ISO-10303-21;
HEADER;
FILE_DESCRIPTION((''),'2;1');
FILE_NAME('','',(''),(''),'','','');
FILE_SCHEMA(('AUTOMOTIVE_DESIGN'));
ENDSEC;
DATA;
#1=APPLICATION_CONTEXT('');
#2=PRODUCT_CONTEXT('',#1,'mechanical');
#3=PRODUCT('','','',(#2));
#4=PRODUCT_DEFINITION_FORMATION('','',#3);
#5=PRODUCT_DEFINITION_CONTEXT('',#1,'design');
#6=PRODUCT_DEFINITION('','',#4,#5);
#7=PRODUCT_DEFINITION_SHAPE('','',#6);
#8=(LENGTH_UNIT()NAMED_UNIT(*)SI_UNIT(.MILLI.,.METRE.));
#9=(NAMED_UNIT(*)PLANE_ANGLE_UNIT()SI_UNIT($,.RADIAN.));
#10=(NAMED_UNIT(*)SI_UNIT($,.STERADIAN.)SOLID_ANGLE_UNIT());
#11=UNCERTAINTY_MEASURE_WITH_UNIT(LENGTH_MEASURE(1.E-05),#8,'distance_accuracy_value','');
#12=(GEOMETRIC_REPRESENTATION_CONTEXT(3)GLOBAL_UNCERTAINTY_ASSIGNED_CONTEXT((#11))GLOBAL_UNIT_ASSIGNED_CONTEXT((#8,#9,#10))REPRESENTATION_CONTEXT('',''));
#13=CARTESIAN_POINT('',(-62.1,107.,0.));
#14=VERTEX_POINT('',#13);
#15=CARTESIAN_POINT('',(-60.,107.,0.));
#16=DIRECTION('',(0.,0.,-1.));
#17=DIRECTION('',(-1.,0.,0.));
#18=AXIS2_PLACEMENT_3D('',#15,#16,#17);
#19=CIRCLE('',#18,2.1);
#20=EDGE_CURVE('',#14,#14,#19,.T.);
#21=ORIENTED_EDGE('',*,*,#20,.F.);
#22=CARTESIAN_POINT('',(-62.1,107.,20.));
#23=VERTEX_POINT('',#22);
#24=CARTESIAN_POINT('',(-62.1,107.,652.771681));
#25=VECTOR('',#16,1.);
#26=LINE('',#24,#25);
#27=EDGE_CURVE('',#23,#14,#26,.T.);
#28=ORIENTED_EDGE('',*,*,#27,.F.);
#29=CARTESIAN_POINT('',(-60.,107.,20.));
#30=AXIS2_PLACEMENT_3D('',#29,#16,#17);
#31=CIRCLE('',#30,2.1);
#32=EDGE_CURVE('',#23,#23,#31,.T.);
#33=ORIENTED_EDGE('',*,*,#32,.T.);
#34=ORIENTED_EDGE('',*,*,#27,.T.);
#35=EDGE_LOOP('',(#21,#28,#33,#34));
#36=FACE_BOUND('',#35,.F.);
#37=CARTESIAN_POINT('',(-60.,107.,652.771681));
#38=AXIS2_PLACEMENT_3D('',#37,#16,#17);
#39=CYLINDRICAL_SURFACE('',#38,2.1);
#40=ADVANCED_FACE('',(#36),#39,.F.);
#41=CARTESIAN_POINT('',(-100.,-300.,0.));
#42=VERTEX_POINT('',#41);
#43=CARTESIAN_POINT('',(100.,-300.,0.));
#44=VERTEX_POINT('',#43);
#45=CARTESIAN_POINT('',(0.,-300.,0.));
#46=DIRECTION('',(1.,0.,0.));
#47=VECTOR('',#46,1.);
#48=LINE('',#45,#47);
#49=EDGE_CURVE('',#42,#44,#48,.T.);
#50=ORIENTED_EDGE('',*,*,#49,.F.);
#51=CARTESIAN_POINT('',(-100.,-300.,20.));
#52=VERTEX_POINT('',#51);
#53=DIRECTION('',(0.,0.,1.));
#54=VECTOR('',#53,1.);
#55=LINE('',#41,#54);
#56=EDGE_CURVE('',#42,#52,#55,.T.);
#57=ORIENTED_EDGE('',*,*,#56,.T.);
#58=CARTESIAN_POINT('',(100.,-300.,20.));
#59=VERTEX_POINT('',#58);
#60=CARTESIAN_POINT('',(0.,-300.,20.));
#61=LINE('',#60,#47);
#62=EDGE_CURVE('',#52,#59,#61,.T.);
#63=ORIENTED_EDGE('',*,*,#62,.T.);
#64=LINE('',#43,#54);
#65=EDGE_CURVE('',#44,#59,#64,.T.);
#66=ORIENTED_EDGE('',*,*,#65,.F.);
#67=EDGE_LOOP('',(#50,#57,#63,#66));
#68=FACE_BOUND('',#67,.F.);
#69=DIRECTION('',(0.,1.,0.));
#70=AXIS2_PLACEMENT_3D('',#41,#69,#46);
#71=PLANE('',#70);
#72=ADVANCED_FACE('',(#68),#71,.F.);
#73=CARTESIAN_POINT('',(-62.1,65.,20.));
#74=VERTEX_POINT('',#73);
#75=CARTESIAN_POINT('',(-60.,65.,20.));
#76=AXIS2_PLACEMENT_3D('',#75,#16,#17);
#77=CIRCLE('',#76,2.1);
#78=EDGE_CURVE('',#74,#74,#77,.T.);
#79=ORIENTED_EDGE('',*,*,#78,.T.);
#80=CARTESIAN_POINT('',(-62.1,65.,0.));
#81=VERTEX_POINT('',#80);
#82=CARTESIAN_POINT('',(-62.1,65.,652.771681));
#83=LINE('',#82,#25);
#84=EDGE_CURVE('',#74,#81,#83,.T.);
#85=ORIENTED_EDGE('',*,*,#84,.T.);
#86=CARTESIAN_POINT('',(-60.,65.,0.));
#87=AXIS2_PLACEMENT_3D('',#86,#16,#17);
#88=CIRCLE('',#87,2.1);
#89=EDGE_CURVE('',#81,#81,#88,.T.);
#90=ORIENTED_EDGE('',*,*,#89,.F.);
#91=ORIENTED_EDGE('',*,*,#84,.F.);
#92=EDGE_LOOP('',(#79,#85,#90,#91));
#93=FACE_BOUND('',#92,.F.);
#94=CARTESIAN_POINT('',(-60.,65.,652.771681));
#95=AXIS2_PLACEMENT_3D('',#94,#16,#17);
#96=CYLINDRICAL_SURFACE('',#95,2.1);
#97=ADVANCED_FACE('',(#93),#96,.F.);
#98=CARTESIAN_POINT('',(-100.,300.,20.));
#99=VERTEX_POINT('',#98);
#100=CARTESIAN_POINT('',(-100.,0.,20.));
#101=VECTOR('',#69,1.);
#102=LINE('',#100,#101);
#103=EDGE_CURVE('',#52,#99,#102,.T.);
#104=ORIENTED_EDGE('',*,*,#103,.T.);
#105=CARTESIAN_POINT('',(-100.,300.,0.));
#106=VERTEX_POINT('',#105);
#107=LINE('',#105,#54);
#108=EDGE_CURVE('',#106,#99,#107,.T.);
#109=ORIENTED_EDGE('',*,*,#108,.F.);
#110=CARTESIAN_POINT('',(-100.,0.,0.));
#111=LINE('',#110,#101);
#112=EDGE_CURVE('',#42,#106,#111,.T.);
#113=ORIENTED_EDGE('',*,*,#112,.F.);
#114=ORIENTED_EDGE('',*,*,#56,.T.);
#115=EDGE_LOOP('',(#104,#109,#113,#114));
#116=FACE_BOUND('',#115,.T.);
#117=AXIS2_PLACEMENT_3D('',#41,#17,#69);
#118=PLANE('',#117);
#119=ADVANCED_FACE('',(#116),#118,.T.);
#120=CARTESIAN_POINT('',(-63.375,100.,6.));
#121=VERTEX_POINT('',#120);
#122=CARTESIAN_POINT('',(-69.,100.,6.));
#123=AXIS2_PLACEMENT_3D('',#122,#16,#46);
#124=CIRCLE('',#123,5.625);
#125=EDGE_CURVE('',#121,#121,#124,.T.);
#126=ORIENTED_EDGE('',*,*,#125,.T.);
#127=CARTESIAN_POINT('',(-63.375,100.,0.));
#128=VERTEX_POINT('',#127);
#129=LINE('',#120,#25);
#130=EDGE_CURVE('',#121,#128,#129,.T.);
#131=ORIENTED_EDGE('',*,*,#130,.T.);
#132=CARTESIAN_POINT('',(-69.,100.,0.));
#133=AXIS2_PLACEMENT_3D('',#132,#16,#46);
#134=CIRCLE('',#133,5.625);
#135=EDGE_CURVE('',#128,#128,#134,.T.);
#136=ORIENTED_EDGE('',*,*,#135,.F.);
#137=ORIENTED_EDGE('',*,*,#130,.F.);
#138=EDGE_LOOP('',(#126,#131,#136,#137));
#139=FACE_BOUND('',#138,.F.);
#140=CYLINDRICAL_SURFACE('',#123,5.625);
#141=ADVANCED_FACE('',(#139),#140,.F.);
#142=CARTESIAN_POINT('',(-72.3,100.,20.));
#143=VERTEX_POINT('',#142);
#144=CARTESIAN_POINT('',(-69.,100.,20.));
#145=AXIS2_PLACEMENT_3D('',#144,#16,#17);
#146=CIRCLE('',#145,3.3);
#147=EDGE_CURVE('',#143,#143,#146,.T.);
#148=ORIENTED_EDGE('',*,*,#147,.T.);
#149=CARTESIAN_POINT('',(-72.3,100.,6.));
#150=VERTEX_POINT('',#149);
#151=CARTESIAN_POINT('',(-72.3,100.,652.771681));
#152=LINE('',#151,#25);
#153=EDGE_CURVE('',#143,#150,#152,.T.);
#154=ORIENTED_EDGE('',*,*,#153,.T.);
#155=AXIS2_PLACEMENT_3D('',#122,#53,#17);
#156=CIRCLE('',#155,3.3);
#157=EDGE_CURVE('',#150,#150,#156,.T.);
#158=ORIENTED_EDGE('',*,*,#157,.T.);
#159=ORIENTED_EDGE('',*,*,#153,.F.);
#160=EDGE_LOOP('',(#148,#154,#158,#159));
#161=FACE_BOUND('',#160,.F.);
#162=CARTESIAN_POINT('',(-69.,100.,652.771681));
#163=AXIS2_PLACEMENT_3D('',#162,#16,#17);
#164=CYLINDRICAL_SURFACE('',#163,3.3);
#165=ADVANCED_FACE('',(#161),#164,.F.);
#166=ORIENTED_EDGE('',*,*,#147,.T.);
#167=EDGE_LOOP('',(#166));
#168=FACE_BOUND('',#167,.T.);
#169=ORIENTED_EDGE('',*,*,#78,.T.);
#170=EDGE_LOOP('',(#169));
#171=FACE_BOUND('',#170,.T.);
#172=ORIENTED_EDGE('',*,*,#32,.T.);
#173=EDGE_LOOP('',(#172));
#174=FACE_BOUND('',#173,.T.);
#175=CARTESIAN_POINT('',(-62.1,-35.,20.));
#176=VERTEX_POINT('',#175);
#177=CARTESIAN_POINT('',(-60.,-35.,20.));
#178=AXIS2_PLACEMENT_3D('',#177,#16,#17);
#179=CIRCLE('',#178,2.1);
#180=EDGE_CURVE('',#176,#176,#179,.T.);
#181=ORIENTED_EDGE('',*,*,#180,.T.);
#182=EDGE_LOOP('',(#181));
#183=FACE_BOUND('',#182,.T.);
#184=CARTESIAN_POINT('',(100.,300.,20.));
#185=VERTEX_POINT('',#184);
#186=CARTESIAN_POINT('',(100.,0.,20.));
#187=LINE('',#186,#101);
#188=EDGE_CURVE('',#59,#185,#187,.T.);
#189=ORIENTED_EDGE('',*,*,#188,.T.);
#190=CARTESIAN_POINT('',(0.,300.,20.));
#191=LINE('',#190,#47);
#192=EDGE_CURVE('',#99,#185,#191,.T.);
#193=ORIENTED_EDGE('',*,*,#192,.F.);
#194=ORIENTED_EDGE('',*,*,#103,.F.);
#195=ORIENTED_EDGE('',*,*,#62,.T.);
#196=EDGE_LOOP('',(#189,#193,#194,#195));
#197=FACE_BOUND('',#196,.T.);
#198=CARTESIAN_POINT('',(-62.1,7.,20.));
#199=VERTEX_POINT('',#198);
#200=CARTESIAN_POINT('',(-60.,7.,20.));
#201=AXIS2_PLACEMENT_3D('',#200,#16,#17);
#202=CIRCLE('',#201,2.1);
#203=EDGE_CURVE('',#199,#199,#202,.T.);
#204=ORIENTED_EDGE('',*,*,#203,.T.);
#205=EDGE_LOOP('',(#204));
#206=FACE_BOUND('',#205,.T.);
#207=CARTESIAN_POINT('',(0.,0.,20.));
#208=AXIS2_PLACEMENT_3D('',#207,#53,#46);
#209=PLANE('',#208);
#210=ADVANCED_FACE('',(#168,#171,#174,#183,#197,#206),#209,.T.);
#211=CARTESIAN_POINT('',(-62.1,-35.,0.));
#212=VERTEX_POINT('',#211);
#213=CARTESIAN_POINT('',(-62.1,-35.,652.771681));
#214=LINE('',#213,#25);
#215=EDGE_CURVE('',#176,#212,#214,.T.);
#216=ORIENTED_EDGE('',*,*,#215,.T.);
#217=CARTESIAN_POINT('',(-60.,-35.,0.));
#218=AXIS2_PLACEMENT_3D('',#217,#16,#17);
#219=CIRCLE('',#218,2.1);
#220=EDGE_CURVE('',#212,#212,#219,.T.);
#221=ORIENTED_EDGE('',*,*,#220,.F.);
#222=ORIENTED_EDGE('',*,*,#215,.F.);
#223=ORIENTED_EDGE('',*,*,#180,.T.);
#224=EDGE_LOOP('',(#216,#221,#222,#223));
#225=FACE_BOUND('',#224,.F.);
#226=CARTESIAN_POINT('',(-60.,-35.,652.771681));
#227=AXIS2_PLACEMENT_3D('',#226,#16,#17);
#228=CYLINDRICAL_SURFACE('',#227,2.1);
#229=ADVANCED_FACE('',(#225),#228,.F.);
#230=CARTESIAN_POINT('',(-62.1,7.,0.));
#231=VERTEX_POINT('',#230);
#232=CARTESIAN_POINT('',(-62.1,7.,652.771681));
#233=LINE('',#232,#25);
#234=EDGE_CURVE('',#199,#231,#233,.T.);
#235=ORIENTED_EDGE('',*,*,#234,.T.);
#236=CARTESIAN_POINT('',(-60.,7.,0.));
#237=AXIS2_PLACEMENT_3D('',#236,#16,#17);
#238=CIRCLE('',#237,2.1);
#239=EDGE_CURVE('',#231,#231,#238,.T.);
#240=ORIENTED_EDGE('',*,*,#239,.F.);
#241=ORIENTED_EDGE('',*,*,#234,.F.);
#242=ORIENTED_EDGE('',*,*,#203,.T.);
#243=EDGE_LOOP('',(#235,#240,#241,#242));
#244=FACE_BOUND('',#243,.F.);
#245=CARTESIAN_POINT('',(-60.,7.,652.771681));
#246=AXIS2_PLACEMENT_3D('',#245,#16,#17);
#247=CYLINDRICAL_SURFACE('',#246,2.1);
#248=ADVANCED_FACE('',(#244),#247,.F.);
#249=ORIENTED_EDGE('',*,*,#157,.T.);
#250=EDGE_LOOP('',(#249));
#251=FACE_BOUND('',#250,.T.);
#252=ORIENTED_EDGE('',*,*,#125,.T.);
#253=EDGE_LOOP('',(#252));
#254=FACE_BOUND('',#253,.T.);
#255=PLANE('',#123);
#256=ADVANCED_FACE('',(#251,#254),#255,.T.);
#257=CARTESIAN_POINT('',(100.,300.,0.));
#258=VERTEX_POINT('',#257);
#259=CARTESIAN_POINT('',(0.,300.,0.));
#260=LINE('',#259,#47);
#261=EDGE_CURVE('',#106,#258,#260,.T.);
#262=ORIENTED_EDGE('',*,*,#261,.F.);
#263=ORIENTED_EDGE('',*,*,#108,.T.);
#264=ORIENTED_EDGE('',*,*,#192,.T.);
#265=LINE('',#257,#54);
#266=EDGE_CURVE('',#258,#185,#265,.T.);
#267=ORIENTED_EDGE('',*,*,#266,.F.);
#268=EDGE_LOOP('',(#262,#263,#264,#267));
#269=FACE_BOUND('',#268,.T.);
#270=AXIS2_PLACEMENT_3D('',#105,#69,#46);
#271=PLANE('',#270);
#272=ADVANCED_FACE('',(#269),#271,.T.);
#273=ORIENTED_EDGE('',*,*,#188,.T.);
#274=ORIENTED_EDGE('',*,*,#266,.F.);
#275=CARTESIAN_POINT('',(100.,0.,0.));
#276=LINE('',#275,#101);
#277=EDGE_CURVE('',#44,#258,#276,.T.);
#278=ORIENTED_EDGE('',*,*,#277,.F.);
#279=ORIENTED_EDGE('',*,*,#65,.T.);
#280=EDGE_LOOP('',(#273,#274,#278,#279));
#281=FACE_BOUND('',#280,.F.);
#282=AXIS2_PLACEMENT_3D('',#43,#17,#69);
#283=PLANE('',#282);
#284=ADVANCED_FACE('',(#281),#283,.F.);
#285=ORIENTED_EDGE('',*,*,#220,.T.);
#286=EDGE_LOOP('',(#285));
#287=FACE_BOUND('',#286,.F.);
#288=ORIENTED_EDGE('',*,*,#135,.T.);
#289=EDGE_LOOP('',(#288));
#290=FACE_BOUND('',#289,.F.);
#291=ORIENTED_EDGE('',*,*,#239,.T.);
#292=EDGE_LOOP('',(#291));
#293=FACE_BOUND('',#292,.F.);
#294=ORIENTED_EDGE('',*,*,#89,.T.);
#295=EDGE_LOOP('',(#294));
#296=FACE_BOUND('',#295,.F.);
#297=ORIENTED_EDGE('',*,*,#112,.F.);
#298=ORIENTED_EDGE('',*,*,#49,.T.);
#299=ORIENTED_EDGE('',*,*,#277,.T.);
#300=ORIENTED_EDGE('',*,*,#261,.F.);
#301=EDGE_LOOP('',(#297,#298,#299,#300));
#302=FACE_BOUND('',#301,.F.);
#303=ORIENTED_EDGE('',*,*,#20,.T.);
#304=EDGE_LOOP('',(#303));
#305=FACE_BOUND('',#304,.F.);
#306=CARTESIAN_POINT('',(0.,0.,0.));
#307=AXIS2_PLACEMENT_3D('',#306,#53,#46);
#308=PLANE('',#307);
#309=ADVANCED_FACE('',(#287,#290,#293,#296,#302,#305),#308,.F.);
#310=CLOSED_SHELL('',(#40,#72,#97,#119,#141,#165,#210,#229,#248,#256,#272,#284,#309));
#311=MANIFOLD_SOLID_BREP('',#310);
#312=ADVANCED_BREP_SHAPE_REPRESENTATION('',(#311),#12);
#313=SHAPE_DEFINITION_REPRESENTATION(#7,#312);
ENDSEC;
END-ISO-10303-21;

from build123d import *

# Parameters (mm, degrees)
F0_W           = 200
F0_H           = 600
F1_DEPTH       = 20
F3_D           = 4.2
F4_D           = 6.6
F6_D           = 6.6
F6_CBORE_D     = 11.25
F6_CBORE_DEPTH = 6


with BuildPart() as f1:
    # F0 (on Top) → F1 (new body)
    with BuildSketch(Plane.XY):
        Rectangle(F0_W, F0_H)
    extrude(amount=F1_DEPTH)

    # F3 (through all)
    with Locations(Plane.XY.offset(20)):
        with Locations((-60, 107), (-60, 65), (-60, 7), (-60, -35)):
            Hole(F3_D / 2)

    # F4 (through all)
    with Locations(Plane.XY.offset(20)):
        with Locations((-69, 100)):
            Hole(F4_D / 2)

    # F6 (through all)
    with Locations(Plane(origin=(0, 0, 0), x_dir=(1, 0, 0), z_dir=(0, 0, -1))):
        with Locations((-69, -100)):
            CounterBoreHole(F6_D / 2, F6_CBORE_D / 2, F6_CBORE_DEPTH)


solid = f1.part
